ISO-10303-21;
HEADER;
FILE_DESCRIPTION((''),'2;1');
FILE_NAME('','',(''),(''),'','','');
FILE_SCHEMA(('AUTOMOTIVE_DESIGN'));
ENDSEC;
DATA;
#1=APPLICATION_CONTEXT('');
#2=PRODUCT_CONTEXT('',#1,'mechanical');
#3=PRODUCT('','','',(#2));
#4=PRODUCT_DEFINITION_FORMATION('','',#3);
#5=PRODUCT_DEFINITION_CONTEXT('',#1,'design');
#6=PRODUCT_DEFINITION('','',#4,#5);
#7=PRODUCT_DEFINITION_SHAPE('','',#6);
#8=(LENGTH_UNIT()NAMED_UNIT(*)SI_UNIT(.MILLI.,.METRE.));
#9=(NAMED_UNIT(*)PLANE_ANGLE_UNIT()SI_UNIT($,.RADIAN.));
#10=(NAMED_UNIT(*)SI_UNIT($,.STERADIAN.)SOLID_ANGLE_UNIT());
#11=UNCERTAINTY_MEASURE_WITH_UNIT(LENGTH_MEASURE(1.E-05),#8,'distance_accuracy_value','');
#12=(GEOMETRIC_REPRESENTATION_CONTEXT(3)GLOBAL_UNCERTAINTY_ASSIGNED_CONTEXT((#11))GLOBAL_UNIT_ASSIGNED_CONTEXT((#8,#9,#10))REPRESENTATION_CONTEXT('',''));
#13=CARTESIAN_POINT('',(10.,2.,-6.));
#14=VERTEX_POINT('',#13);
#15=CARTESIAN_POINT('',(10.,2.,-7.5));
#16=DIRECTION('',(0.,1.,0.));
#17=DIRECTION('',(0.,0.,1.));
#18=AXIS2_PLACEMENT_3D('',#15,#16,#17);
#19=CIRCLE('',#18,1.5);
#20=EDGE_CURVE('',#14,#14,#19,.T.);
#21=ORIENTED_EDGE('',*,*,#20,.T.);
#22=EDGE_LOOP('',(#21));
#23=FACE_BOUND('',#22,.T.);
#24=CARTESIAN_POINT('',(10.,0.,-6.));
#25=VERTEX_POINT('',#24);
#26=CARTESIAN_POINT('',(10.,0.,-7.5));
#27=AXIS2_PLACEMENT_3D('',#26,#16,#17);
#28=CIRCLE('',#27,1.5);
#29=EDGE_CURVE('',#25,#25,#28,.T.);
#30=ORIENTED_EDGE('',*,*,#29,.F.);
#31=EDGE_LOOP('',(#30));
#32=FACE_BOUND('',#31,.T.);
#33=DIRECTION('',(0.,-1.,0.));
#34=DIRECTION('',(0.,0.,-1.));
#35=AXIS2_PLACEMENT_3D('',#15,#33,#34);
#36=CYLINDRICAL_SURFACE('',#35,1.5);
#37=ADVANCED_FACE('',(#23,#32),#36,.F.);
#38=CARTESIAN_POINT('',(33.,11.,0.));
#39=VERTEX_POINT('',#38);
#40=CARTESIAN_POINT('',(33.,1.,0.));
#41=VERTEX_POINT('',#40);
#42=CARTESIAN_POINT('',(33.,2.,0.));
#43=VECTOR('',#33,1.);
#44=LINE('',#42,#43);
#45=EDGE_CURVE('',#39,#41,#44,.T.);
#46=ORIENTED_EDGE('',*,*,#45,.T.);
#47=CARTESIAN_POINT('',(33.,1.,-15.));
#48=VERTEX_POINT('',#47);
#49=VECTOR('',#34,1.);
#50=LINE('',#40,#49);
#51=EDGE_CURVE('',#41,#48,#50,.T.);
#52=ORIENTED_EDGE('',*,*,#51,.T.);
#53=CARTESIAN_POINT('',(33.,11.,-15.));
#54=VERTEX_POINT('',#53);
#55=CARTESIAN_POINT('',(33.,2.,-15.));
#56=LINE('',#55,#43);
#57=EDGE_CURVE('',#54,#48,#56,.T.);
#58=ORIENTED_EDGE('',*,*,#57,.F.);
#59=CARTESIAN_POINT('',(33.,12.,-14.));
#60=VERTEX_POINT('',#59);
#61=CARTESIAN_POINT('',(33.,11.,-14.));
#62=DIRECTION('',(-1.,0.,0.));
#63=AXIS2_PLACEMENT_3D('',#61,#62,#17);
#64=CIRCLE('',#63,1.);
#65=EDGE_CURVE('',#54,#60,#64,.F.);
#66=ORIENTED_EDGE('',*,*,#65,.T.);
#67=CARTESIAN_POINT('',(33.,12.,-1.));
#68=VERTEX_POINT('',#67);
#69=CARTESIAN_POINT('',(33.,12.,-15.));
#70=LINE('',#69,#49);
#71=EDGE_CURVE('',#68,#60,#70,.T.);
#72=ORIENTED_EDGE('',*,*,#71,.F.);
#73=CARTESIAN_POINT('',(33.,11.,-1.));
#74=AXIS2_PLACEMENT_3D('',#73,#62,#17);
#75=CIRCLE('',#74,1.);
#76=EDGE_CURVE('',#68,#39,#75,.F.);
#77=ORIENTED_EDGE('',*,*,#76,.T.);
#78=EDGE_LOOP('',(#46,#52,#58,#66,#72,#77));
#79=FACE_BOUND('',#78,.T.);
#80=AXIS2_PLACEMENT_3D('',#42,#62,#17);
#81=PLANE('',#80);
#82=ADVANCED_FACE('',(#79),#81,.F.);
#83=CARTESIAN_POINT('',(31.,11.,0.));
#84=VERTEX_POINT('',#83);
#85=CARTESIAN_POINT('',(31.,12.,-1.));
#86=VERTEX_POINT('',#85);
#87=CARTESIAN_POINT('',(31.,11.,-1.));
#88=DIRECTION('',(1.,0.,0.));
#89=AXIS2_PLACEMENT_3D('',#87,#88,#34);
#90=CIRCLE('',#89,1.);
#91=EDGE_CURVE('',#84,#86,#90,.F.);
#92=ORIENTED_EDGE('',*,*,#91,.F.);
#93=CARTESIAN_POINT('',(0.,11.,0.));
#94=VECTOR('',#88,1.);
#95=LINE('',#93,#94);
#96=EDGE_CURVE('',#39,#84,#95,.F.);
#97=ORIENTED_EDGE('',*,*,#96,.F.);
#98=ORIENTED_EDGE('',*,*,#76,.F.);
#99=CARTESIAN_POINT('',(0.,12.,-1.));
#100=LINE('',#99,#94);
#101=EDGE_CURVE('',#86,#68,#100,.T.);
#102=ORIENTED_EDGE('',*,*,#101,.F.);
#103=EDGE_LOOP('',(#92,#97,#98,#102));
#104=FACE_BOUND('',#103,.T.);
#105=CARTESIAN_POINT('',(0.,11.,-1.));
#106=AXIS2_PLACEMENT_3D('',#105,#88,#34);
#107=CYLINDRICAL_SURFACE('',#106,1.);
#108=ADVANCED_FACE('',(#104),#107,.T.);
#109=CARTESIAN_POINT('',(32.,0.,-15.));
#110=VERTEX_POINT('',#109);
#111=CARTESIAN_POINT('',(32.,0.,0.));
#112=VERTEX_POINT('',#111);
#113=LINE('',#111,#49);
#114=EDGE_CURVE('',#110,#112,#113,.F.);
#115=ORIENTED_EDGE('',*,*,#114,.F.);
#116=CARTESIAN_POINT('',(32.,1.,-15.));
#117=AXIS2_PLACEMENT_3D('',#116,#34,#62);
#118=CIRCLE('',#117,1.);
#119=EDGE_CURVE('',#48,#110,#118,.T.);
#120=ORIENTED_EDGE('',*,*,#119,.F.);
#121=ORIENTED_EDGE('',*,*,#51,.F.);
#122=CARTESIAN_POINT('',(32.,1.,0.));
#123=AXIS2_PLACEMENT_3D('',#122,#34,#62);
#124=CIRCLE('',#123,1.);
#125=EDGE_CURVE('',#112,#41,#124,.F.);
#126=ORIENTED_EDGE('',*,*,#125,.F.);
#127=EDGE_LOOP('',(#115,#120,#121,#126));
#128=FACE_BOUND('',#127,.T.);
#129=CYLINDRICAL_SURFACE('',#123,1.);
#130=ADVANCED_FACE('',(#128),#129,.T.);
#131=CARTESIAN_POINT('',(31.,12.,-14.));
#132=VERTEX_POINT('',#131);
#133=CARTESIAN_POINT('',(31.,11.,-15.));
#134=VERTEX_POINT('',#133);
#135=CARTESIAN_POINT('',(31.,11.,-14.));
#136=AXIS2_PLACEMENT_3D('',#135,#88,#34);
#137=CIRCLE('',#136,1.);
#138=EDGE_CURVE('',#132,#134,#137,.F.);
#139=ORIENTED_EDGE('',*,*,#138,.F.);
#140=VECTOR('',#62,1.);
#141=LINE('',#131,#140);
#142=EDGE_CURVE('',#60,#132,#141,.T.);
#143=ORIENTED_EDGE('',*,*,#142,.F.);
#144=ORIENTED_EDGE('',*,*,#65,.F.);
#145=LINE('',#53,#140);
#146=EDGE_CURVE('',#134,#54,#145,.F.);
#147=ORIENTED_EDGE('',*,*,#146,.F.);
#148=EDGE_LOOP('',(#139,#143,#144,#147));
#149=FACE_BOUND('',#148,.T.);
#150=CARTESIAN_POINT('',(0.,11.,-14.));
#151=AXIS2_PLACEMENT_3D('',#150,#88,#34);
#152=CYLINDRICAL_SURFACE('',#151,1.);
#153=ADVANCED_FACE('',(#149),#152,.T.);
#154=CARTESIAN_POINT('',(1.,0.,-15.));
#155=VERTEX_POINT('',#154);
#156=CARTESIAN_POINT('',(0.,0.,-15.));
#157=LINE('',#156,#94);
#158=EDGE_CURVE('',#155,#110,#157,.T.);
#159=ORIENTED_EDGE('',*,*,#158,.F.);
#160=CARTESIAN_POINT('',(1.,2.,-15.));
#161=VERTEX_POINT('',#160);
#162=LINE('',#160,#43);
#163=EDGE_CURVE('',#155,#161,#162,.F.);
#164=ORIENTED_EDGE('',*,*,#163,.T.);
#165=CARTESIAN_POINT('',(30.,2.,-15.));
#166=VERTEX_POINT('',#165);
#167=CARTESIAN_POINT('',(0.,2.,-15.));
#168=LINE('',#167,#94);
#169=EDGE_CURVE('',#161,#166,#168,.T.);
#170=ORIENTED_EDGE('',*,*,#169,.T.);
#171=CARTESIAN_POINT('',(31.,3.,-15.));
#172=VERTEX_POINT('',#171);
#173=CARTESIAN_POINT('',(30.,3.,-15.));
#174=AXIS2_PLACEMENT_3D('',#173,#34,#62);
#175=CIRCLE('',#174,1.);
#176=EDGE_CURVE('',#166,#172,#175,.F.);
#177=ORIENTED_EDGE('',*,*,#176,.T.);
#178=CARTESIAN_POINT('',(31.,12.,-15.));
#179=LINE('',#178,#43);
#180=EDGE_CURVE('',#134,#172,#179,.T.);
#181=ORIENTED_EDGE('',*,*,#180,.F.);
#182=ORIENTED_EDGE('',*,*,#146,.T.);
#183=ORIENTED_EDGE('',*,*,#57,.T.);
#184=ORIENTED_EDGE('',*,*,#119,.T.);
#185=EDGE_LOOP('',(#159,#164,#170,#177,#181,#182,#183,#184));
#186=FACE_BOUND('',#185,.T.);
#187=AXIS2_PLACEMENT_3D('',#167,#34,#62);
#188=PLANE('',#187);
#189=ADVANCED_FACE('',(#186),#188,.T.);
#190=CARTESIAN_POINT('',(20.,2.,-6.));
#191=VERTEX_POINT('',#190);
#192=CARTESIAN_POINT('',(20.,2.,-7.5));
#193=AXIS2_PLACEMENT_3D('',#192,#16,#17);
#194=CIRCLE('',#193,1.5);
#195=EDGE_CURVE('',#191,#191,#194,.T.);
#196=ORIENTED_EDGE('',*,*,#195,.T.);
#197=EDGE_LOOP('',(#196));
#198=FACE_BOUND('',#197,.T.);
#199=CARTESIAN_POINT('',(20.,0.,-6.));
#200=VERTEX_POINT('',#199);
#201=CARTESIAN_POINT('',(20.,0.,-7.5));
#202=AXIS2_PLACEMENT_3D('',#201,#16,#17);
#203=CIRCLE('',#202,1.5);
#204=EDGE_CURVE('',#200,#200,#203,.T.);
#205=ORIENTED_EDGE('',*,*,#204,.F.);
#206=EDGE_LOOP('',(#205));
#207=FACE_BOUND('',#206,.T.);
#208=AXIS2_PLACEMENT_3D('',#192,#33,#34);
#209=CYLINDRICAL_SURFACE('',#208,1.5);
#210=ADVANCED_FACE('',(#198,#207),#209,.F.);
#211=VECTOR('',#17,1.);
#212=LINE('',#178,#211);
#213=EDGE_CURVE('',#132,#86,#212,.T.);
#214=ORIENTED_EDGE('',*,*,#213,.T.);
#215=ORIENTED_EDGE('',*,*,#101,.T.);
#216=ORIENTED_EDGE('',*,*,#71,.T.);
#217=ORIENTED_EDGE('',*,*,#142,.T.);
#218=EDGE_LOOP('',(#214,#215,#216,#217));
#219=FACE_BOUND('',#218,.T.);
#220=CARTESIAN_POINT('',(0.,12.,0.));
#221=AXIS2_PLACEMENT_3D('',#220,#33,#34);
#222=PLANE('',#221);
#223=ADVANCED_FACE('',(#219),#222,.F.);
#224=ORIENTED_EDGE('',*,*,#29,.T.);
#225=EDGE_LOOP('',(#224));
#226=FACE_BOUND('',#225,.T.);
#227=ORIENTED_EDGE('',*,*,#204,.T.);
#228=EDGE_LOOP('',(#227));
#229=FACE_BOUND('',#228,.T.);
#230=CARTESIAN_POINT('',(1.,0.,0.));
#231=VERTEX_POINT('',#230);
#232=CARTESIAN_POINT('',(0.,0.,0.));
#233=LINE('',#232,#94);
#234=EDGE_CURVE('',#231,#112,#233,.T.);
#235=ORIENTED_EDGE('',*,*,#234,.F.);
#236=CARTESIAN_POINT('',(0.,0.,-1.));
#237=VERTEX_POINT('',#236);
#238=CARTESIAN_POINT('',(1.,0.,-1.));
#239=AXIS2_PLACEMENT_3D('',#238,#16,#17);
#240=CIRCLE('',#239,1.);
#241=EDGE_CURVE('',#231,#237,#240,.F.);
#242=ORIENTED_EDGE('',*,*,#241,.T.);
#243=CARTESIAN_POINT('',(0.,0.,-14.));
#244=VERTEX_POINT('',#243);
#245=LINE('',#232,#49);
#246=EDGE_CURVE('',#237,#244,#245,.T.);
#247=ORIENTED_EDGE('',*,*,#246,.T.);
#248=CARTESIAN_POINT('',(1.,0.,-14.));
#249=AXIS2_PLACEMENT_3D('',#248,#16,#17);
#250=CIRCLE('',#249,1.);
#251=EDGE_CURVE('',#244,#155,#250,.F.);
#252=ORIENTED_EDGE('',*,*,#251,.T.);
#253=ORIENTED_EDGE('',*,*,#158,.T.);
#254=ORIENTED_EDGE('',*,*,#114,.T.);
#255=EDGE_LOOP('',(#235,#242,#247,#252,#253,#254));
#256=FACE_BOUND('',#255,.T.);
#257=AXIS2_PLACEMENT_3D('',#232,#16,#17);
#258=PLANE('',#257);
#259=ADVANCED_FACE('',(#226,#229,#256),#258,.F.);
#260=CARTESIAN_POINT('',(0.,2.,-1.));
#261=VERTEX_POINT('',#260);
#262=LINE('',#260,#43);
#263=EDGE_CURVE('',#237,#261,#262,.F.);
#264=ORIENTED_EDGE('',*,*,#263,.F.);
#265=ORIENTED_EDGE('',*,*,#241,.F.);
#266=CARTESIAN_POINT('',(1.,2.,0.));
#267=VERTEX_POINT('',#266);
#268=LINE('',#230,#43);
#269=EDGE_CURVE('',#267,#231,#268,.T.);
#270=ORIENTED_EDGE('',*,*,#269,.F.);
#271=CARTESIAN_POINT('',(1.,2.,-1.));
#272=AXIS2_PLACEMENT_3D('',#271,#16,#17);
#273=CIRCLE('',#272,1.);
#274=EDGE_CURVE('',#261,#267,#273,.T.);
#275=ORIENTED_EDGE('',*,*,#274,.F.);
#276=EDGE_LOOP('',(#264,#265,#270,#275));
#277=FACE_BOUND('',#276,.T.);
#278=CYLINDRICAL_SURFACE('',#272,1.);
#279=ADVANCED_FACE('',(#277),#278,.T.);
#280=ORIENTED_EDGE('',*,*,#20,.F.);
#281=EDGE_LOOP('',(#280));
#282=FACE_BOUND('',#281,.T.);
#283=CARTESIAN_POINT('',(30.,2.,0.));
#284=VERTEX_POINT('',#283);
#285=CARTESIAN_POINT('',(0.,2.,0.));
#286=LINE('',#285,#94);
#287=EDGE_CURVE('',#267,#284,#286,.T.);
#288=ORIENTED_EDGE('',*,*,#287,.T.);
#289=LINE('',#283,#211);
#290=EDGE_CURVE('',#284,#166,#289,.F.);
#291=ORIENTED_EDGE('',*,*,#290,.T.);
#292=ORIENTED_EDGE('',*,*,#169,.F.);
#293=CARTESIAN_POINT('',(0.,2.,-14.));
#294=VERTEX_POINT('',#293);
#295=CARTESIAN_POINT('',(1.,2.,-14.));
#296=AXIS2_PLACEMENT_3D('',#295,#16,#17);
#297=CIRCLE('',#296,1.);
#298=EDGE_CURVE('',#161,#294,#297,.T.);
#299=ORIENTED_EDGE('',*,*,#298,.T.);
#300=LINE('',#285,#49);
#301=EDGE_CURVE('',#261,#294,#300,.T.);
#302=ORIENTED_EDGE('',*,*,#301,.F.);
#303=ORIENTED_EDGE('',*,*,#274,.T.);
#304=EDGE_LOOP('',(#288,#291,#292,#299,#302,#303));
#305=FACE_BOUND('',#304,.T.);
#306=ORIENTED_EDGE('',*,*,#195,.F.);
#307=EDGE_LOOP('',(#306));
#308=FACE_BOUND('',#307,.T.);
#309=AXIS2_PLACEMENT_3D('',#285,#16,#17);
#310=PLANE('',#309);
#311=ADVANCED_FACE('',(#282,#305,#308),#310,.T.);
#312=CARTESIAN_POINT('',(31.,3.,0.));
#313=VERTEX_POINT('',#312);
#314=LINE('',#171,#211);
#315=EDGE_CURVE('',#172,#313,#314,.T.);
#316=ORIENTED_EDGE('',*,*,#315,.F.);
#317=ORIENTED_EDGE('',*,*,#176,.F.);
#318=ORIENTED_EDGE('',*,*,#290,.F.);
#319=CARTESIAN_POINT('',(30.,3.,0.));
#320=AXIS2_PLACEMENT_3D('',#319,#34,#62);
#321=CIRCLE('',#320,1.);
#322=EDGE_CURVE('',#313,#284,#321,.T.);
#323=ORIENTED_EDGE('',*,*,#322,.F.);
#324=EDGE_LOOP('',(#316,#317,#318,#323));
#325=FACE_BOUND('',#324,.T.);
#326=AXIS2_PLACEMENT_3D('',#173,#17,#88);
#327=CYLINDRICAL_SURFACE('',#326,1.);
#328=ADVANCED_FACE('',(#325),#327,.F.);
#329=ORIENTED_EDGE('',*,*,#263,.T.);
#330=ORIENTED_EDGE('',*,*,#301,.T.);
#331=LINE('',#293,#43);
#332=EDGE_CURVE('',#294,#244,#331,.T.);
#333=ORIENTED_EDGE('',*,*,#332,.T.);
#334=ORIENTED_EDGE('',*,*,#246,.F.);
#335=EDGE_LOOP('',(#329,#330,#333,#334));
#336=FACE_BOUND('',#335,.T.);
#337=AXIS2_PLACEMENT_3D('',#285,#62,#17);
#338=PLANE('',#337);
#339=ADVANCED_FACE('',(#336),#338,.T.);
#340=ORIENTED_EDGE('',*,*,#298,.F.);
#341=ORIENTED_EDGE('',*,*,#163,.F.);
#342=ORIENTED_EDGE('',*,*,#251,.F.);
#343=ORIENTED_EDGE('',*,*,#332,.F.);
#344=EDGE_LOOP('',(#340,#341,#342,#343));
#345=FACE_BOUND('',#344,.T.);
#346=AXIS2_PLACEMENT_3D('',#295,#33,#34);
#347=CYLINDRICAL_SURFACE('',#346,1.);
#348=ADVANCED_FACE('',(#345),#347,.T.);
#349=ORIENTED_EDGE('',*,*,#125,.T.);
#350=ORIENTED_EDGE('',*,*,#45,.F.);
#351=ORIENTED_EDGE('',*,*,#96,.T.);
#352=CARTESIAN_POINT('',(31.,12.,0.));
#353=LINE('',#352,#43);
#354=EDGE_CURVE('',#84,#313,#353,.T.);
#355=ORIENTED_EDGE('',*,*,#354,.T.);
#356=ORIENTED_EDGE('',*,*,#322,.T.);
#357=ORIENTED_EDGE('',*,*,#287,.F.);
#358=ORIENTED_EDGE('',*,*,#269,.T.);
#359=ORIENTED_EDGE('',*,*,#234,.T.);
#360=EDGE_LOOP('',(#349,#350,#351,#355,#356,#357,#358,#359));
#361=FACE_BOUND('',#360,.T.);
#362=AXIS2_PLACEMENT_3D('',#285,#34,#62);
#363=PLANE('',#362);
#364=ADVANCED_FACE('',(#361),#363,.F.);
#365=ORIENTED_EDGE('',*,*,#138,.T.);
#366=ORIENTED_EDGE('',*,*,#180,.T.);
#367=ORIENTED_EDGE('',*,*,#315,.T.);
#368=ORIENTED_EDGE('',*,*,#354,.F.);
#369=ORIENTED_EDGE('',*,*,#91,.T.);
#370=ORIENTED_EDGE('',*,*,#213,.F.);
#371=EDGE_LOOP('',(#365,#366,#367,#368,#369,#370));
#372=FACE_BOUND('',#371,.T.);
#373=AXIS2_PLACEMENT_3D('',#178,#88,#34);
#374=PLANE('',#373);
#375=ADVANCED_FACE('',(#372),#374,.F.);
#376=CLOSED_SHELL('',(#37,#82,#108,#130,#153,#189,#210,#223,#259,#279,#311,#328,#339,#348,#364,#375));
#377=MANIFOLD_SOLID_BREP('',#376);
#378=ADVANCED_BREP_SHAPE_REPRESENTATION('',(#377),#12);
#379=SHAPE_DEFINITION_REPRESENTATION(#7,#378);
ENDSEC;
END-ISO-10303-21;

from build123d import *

# Parameters (mm, degrees)
BOSS_EXTRUDE1_DEPTH = 2
SKETCH2_W           = 2
SKETCH2_H           = 15
BOSS_EXTRUDE2_DEPTH = 10
FILLET1_R           = 1
FILLET2_R           = 1


with BuildPart() as part:
    # Sketch1 → Boss-Extrude1 (new body)
    with BuildSketch(Plane(origin=(0, 0, 0), x_dir=(1, 0, 0), z_dir=(0, 1, 0))):
        with BuildLine():
            Line((33, 7.5), (21.5, 7.5))
            ThreePointArc((21.5, 7.5), (20, 6), (18.5, 7.5))
            Line((18.5, 7.5), (11.5, 7.5))
            ThreePointArc((11.5, 7.5), (10, 6), (8.5, 7.5))
            Line((8.5, 7.5), (0, 7.5))
            Line((0, 7.5), (0, 0))
            Line((0, 0), (33, 0))
            Line((33, 0), (33, 7.5))
        make_face()
        with BuildLine():
            ThreePointArc((18.5, 7.5), (20, 9), (21.5, 7.5))
            Line((21.5, 7.5), (33, 7.5))
            Line((33, 7.5), (33, 15))
            Line((33, 15), (0, 15))
            Line((0, 15), (0, 7.5))
            Line((0, 7.5), (8.5, 7.5))
            ThreePointArc((8.5, 7.5), (10, 9), (11.5, 7.5))
            Line((11.5, 7.5), (18.5, 7.5))
        make_face()
    extrude(amount=BOSS_EXTRUDE1_DEPTH)

    # Sketch2 → Boss-Extrude2 (add)
    with BuildSketch(Plane(origin=(0, 2, 0), x_dir=(1, 0, 0), z_dir=(0, 1, 0))):
        with Locations((32, 7.5)):
            Rectangle(SKETCH2_W, SKETCH2_H)
    extrude(amount=BOSS_EXTRUDE2_DEPTH)

    # Fillet1
    fillet1_edges = [part.edges().sort_by_distance(p)[0] for p in [
        (0, 1, 0),
        (0, 1, -15),
        (31, 2, -7.5),
        (32, 12, -15),
        (32, 12, 0),
    ]]
    fillet(fillet1_edges, radius=FILLET1_R)

    # Fillet2
    fillet2_edges = [part.edges().sort_by_distance(p)[0] for p in [
        (33, 0, -7.5),
    ]]
    fillet(fillet2_edges, radius=FILLET2_R)


solid = part.part
